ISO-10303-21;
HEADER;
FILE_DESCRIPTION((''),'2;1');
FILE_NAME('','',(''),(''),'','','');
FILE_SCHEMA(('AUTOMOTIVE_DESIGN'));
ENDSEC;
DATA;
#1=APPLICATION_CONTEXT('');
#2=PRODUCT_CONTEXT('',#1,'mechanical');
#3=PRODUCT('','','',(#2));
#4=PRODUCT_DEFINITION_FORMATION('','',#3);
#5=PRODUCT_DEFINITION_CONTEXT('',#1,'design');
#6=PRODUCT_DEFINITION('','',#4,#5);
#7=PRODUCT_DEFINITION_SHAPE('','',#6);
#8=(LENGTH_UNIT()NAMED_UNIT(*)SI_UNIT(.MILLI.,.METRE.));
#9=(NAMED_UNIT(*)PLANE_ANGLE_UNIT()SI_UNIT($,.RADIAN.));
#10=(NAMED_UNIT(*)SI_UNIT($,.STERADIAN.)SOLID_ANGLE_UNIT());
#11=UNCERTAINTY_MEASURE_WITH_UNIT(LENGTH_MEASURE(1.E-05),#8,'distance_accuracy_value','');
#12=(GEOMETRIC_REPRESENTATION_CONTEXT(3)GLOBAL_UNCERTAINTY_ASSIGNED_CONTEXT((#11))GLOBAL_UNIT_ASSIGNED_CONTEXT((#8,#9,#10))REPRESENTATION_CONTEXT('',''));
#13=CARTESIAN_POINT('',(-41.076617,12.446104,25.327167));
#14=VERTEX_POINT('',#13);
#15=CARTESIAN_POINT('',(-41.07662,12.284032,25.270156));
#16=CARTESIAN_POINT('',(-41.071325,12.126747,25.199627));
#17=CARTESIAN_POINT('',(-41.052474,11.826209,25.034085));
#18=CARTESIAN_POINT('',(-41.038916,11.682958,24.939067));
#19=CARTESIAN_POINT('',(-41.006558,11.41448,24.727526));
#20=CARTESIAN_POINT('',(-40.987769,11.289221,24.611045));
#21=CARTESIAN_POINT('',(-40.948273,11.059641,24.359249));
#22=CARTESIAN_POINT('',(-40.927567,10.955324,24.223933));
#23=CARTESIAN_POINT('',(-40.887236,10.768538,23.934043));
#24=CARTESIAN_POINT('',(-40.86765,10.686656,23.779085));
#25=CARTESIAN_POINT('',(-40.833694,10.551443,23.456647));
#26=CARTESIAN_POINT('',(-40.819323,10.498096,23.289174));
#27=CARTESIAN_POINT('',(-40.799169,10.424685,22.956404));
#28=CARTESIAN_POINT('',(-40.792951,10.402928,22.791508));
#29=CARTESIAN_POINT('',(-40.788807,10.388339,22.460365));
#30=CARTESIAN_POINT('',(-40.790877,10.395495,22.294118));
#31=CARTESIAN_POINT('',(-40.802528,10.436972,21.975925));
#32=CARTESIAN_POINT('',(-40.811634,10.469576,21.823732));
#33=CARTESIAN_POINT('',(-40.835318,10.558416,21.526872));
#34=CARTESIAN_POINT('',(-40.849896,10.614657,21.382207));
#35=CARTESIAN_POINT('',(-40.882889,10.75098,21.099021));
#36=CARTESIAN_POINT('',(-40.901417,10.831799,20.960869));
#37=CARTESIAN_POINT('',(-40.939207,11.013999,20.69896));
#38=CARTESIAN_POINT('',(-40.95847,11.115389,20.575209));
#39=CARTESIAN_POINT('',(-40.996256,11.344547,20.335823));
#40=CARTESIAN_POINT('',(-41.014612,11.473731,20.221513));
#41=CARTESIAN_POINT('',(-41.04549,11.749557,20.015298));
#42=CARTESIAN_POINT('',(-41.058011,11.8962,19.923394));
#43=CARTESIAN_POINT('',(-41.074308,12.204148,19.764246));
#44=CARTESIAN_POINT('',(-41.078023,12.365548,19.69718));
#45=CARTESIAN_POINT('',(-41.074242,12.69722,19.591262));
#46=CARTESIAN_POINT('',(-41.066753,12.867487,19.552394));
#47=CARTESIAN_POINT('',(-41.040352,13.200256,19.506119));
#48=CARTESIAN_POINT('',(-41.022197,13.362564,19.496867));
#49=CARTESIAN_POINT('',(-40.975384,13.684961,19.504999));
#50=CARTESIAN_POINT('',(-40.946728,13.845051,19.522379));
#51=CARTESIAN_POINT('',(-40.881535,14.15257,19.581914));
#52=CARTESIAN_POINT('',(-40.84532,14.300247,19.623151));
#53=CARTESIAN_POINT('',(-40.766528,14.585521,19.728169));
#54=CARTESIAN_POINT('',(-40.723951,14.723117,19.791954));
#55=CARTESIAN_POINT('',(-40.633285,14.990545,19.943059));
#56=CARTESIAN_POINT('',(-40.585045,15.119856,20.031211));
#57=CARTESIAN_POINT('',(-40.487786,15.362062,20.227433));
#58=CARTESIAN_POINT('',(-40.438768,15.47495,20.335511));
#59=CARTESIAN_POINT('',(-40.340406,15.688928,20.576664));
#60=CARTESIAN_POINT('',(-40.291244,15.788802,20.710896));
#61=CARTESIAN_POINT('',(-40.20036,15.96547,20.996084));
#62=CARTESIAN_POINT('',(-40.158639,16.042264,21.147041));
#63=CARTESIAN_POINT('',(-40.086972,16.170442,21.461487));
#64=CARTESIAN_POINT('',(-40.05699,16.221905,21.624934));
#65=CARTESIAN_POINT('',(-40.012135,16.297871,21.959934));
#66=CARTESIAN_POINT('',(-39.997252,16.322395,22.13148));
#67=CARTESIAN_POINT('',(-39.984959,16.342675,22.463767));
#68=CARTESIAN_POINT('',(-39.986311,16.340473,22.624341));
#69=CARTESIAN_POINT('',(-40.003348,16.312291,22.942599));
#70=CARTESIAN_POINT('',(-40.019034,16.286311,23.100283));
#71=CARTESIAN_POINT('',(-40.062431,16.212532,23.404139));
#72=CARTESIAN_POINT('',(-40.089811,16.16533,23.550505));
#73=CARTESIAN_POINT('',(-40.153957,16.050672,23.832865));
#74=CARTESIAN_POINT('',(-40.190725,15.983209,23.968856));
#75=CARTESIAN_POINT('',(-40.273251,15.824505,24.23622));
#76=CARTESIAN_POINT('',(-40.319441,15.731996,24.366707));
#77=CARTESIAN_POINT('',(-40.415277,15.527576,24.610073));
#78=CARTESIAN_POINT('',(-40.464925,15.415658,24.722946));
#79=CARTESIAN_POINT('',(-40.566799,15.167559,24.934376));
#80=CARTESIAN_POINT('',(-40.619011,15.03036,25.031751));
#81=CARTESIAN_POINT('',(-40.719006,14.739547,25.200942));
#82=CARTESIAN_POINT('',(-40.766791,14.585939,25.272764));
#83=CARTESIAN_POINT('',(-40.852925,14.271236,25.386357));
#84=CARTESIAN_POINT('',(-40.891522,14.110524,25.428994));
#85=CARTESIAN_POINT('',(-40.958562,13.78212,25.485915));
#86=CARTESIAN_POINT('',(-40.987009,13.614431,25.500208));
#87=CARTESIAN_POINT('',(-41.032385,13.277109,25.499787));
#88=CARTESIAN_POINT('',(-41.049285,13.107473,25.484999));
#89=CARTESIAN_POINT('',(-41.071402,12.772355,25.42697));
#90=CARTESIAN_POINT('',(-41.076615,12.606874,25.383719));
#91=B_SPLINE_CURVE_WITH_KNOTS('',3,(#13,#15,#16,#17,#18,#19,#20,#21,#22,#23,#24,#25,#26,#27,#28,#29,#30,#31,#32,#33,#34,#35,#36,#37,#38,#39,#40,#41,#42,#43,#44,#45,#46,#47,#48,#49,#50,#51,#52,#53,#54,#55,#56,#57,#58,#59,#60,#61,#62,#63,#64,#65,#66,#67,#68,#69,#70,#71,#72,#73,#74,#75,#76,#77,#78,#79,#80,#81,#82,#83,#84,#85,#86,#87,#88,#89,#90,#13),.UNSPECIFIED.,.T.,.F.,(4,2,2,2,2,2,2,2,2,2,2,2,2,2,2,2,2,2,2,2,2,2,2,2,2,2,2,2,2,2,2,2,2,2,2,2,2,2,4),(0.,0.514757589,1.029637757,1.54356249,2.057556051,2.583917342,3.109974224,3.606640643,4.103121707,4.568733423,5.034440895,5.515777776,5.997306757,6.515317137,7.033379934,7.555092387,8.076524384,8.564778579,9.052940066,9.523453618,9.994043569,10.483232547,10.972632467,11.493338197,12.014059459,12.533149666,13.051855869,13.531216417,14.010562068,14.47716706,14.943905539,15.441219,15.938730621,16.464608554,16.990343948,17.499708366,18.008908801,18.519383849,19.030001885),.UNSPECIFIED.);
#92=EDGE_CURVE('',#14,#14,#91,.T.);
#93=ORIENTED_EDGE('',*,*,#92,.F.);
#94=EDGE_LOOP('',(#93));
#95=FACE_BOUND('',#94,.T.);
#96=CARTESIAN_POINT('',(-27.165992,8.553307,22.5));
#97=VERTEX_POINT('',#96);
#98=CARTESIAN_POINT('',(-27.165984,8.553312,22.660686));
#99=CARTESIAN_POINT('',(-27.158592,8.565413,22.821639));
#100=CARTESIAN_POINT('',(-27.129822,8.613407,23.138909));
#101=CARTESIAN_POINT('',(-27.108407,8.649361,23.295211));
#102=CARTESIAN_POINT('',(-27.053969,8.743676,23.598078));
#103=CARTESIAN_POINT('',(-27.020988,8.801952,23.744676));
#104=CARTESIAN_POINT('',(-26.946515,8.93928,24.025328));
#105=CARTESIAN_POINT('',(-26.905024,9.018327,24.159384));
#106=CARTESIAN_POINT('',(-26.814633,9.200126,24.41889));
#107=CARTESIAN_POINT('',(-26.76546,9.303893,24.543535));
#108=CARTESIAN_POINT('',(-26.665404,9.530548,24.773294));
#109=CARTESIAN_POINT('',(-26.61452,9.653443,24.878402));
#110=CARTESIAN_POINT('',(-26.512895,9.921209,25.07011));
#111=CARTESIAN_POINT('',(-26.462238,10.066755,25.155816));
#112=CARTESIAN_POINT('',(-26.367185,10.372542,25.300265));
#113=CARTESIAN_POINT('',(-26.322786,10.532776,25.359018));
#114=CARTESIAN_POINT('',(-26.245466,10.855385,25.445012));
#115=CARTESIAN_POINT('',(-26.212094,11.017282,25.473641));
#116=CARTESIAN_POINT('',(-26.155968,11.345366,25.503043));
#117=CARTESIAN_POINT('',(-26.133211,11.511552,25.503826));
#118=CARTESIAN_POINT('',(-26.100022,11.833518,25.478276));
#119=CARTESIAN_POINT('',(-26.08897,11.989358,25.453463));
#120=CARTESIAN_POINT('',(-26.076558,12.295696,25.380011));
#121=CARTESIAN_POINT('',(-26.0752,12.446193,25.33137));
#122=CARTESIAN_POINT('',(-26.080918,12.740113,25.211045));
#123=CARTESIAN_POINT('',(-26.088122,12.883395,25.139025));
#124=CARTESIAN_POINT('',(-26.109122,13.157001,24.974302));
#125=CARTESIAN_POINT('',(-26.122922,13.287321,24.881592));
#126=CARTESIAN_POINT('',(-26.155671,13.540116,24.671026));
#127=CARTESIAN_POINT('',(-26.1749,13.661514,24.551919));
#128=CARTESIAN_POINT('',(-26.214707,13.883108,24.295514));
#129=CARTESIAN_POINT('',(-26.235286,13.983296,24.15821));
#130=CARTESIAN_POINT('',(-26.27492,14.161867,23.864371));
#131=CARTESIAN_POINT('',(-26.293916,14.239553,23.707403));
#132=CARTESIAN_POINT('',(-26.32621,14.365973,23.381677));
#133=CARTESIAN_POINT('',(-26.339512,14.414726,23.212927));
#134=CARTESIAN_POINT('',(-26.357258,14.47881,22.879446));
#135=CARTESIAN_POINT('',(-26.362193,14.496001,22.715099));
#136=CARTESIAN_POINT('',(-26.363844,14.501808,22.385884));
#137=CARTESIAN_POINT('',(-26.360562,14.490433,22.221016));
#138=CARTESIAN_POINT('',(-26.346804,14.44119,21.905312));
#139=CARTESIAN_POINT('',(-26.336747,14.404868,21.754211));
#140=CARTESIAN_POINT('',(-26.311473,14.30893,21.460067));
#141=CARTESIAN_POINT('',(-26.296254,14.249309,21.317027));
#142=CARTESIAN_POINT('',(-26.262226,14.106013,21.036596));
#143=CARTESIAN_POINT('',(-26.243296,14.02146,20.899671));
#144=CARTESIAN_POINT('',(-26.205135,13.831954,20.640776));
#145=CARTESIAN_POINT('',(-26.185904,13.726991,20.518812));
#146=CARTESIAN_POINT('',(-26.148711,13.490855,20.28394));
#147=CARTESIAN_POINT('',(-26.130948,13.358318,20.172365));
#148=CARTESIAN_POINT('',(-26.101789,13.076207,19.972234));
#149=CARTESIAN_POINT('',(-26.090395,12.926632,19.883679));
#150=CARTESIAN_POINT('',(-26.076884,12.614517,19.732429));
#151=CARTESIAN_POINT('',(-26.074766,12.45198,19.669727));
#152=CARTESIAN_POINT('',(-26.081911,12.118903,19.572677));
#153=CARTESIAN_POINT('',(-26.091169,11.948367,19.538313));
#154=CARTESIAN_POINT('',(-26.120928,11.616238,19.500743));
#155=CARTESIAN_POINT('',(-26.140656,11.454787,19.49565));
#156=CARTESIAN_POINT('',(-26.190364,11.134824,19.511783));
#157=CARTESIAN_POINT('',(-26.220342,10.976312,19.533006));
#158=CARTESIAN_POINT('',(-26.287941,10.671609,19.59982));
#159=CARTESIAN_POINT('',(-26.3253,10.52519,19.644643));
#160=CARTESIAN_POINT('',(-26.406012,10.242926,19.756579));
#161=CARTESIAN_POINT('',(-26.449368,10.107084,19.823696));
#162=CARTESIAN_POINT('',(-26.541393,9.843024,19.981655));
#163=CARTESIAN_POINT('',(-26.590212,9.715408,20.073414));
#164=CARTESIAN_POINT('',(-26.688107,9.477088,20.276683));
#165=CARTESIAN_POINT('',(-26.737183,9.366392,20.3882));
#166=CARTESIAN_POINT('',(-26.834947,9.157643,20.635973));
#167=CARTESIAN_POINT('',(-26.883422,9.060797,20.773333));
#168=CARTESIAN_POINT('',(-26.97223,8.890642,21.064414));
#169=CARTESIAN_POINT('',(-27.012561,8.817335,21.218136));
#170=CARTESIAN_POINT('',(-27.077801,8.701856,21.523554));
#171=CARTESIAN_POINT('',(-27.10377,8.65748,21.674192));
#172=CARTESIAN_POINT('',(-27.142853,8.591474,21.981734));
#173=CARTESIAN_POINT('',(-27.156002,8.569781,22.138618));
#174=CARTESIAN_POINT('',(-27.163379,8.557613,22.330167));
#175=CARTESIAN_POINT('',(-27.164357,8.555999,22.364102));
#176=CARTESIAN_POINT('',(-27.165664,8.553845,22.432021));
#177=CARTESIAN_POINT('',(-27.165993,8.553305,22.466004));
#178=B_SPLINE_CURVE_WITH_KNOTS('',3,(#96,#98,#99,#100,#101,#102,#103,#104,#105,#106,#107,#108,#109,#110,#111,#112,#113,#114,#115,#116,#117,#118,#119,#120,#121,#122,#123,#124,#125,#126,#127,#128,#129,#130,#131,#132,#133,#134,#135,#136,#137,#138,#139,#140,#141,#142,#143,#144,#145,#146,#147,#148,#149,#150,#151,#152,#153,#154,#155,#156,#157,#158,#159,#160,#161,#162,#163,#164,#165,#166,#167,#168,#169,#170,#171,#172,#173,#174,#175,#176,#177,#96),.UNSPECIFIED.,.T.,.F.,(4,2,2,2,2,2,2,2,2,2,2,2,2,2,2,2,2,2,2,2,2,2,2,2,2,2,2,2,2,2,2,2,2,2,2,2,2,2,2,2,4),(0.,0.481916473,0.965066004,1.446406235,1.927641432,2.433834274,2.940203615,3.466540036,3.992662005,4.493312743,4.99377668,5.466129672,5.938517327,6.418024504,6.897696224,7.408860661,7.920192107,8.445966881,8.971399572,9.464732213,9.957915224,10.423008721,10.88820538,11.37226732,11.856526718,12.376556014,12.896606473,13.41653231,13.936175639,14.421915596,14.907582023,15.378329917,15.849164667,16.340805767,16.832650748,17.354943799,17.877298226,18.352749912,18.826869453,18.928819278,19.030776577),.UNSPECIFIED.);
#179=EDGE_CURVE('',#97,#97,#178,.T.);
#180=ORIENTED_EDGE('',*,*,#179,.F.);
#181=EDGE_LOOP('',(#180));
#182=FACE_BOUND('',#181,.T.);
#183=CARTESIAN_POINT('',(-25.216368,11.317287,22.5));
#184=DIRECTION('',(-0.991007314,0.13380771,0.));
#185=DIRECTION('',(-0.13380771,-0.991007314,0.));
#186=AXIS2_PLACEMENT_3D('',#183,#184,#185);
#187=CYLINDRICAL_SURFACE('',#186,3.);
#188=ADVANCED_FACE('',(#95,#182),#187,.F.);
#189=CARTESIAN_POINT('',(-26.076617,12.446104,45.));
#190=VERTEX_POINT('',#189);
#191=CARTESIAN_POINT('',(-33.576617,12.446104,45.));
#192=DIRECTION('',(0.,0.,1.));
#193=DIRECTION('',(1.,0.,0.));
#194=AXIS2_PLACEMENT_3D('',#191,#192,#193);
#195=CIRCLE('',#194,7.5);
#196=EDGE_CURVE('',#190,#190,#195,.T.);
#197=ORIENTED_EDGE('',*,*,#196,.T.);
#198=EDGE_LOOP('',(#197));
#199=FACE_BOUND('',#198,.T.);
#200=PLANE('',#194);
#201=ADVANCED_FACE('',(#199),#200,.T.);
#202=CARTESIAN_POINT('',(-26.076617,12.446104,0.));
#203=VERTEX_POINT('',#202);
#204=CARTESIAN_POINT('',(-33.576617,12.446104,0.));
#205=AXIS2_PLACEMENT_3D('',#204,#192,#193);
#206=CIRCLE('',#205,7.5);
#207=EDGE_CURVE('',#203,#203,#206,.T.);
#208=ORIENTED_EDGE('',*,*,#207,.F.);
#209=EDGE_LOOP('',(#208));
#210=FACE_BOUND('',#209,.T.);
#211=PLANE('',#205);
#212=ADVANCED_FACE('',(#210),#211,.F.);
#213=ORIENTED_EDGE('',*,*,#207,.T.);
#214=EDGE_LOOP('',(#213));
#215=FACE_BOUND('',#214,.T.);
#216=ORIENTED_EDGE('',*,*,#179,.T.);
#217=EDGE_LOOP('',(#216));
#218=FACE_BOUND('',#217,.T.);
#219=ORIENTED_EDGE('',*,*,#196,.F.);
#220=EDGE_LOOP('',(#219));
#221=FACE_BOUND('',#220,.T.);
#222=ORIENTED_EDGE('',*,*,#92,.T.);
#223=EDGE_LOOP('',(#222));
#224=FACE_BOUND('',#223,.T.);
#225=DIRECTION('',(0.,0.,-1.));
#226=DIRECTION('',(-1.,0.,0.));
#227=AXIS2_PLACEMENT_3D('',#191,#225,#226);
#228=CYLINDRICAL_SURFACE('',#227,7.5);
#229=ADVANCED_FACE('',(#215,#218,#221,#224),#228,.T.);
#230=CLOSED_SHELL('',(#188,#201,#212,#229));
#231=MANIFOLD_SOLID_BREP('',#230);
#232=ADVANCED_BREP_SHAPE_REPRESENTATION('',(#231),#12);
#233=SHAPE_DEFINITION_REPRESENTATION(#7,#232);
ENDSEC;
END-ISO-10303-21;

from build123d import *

# Parameters (mm, degrees)
SKETCH1_R               = 7.5
BOSS_EXTRUDE1_DEPTH     = 45
CUT_EXTRUDE1_DEPTH      = 49.283417978
CUT_EXTRUDE1_DEPTH_BACK = 49.283417978
SKETCH3_R               = 3


with BuildPart() as part:
    # Sketch1 → Boss-Extrude1 (new body)
    with BuildSketch(Plane.XY):
        with Locations(Location((-33.576617472, 12.446104402, 0), (0, 0, 180))):
            Circle(SKETCH1_R)
    extrude(amount=BOSS_EXTRUDE1_DEPTH)

    # Sketch3 → Cut-Extrude1 (cut, two sides: drawn at the far end of the back side and taken through both)
    with BuildSketch(Plane(origin=(-34.625853262, 4.675249186, 0), x_dir=(-0.133807710197383, -0.9910073141464362, 0), z_dir=(-0.9910073141464362, 0.133807710197383, 0)).offset(-CUT_EXTRUDE1_DEPTH_BACK)):
        with Locations((-7.841370195, 22.5)):
            Circle(SKETCH3_R)
    extrude(amount=CUT_EXTRUDE1_DEPTH + CUT_EXTRUDE1_DEPTH_BACK, mode=Mode.SUBTRACT)


solid = part.part
